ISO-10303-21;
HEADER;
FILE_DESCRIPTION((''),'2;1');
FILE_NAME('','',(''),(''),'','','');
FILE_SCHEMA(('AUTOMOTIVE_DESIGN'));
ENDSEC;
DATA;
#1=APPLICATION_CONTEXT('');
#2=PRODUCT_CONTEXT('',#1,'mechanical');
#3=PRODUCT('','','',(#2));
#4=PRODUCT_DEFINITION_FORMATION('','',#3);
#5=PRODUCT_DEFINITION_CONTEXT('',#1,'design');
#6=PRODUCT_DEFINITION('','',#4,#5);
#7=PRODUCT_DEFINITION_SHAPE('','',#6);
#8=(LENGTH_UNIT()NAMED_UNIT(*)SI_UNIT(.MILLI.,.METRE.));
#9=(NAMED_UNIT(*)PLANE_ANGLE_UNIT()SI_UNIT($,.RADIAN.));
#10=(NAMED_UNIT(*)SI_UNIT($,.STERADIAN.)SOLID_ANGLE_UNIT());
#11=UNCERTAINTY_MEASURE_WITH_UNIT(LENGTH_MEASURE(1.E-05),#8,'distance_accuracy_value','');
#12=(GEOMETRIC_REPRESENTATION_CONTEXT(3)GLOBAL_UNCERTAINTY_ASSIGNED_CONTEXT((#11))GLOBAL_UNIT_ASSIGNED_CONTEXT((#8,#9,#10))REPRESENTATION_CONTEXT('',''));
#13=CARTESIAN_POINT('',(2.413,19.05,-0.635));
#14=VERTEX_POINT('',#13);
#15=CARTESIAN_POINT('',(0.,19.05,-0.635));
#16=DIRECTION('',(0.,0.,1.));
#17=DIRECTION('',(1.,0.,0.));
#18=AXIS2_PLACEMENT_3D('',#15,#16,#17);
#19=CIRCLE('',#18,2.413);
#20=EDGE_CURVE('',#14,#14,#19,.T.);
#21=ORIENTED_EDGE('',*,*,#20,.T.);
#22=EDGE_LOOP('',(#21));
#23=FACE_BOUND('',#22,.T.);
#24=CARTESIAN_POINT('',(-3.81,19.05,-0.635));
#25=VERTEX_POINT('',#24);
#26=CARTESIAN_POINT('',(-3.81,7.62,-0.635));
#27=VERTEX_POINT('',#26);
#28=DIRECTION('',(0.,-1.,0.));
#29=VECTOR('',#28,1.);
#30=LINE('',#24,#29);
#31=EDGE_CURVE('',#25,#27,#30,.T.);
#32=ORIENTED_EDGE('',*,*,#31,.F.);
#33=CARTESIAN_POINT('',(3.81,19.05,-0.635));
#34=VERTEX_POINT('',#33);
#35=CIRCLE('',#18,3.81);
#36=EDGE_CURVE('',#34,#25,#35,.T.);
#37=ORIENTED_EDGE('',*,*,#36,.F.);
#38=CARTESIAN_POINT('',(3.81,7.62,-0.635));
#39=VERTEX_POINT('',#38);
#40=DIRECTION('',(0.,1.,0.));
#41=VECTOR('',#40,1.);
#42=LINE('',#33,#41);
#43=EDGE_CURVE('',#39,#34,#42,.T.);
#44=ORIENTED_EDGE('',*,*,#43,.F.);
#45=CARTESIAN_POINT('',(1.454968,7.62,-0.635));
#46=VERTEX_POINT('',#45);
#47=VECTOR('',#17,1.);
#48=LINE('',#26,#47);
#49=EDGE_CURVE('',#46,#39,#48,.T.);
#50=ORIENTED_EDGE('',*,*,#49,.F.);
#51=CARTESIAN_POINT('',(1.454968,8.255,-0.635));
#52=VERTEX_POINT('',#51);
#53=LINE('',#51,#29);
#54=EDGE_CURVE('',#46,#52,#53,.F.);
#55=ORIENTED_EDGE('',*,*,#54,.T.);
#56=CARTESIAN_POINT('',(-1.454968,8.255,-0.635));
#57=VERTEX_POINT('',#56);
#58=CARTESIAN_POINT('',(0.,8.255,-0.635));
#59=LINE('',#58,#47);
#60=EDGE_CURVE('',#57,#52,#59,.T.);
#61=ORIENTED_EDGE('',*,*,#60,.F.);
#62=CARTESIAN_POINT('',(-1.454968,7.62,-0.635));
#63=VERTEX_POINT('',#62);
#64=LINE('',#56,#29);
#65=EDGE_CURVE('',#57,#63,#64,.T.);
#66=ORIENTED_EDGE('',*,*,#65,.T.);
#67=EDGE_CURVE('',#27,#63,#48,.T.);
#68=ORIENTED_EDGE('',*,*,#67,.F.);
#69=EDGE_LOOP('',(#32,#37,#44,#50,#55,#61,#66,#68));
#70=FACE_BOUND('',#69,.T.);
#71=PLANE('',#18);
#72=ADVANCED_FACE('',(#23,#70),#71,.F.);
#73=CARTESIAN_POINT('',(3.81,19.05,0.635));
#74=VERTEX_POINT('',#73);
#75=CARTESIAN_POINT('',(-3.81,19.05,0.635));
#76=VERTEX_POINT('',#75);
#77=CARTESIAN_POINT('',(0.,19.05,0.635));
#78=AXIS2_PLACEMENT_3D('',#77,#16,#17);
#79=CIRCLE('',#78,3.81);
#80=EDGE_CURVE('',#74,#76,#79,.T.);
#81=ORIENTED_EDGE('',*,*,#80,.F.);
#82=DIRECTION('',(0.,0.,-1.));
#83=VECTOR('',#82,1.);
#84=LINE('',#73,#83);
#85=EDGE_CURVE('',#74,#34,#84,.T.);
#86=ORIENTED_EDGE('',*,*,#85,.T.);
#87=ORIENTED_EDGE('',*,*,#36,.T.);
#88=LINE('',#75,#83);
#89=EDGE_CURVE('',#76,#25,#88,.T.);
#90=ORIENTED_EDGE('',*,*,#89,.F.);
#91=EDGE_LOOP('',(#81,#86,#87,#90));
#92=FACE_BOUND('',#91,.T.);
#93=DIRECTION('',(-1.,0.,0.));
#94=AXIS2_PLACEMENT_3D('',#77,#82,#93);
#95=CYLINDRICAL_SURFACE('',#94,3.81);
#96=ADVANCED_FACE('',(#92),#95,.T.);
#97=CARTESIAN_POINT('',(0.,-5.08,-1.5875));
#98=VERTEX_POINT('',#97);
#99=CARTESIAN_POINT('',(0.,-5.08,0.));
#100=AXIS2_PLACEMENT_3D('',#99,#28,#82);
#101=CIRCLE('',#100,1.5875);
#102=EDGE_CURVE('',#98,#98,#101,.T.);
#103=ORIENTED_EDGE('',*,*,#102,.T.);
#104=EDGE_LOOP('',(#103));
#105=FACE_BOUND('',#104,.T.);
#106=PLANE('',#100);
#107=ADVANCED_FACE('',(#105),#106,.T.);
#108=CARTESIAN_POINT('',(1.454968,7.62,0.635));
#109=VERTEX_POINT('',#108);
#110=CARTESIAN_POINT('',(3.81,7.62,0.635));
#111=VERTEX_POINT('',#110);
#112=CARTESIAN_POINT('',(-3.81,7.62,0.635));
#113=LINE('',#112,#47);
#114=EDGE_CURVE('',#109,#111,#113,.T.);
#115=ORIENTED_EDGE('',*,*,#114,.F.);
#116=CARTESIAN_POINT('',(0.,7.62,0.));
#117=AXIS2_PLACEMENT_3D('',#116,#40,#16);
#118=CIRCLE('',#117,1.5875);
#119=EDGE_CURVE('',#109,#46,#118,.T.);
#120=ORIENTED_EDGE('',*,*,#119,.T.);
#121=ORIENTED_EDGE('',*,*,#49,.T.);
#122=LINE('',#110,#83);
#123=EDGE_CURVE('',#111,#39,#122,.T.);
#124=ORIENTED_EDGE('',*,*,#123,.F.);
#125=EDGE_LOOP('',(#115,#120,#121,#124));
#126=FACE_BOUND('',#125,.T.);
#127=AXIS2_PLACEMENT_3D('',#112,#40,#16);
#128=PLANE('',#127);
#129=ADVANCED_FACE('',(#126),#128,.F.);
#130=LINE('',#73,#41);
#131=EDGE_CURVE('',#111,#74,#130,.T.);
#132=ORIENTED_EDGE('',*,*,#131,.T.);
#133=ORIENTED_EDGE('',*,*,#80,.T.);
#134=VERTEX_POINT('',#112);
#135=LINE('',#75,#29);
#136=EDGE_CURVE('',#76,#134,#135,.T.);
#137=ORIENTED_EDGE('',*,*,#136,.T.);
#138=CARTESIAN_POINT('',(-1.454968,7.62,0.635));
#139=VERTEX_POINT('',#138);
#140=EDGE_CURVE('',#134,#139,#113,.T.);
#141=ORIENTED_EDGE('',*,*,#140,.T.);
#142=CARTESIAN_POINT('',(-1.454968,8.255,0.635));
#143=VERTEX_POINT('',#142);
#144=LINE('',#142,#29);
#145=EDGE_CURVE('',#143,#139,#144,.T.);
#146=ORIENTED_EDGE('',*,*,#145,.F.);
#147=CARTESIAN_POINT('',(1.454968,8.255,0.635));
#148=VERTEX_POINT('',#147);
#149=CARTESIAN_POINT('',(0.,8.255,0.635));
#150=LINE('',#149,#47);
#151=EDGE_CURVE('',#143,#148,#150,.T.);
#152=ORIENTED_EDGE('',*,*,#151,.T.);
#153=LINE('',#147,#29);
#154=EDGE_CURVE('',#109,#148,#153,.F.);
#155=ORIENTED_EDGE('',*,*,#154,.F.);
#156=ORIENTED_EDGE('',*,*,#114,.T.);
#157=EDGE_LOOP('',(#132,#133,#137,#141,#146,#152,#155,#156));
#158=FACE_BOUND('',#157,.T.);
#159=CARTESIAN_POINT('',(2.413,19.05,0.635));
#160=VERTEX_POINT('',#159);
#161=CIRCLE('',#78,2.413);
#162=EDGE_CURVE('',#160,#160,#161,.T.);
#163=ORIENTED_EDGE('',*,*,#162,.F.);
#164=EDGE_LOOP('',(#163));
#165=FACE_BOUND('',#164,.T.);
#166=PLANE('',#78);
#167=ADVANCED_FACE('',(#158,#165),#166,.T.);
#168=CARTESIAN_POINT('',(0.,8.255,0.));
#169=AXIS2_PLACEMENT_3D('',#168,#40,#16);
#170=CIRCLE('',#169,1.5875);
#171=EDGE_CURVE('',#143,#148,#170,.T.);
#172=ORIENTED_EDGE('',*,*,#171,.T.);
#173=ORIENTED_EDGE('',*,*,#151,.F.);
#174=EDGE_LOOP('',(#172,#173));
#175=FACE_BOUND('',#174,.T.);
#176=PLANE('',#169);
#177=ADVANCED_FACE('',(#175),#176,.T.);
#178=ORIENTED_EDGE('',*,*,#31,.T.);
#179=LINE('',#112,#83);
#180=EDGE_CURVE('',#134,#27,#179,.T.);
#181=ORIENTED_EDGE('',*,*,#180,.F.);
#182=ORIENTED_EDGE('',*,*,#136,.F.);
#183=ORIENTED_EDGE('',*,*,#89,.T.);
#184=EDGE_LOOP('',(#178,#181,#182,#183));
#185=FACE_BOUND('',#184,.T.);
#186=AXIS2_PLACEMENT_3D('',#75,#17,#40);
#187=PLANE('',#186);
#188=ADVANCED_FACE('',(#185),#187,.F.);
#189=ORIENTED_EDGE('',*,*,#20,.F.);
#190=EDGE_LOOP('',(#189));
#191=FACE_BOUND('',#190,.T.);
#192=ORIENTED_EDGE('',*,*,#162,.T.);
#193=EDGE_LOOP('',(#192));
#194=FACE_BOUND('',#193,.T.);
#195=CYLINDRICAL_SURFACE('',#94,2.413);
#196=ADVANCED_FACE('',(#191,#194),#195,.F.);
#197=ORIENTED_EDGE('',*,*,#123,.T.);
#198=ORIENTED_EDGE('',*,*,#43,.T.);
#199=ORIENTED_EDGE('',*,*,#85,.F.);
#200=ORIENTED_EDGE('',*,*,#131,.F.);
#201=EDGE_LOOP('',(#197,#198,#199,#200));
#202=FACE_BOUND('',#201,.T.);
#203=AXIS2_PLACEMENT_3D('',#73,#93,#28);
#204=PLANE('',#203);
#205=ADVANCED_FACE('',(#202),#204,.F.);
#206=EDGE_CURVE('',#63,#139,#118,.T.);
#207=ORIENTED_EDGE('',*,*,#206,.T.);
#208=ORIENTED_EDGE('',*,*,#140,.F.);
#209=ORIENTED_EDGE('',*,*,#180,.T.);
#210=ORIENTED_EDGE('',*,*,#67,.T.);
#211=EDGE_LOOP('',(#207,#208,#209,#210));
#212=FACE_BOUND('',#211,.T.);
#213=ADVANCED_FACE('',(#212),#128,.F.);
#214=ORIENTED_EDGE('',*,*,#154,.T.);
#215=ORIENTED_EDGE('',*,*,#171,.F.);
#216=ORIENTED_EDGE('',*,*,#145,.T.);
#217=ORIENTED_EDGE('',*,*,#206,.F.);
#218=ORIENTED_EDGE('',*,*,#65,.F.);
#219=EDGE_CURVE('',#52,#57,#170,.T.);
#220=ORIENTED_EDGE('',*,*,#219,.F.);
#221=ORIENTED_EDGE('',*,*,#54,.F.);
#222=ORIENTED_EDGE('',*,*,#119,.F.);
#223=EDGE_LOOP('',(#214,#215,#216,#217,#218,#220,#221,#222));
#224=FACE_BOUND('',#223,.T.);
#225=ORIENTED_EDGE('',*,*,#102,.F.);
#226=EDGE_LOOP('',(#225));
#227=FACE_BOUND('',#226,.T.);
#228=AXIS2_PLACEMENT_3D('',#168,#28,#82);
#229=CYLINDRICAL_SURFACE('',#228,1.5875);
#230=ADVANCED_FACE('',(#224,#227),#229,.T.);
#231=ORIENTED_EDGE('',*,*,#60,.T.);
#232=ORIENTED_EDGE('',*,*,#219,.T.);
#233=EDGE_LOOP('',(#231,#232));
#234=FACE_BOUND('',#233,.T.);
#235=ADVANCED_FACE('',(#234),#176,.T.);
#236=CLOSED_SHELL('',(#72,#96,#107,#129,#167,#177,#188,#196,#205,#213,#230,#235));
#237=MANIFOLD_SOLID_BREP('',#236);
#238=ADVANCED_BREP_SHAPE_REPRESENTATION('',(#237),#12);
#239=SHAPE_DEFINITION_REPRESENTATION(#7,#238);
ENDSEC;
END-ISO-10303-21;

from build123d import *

# Parameters (mm, degrees)
SKETCH1_R      = 1.5875
EXTRUDE1_DEPTH = 8.255
SKETCH2_R      = 2.413
EXTRUDE2_DEPTH = 0.635
SKETCH3_R      = 1.5875
EXTRUDE3_DEPTH = 5.08


with BuildPart() as part:
    # Sketch1 → Extrude1 (new body)
    with BuildSketch(Plane(origin=(0, 0, 0), x_dir=(1, 0, 0), z_dir=(0, 1, 0))):
        Circle(SKETCH1_R)
    extrude(amount=EXTRUDE1_DEPTH)

    # Sketch2 → Extrude2 (add, symmetric)
    with BuildSketch(Plane.XY):
        with BuildLine():
            Line((-3.81, 19.05), (-3.81, 7.62))
            Line((-3.81, 7.62), (3.81, 7.62))
            Line((3.81, 7.62), (3.81, 19.05))
            ThreePointArc((3.81, 19.05), (0, 22.86), (-3.81, 19.05))
        make_face()
        with Locations((0, 19.05)):
            Circle(SKETCH2_R, mode=Mode.SUBTRACT)
    extrude(amount=EXTRUDE2_DEPTH, both=True)

    # Sketch3 → Extrude3 (add)
    with BuildSketch(Plane.XZ):
        Circle(SKETCH3_R)
    extrude(amount=EXTRUDE3_DEPTH)


solid = part.part
